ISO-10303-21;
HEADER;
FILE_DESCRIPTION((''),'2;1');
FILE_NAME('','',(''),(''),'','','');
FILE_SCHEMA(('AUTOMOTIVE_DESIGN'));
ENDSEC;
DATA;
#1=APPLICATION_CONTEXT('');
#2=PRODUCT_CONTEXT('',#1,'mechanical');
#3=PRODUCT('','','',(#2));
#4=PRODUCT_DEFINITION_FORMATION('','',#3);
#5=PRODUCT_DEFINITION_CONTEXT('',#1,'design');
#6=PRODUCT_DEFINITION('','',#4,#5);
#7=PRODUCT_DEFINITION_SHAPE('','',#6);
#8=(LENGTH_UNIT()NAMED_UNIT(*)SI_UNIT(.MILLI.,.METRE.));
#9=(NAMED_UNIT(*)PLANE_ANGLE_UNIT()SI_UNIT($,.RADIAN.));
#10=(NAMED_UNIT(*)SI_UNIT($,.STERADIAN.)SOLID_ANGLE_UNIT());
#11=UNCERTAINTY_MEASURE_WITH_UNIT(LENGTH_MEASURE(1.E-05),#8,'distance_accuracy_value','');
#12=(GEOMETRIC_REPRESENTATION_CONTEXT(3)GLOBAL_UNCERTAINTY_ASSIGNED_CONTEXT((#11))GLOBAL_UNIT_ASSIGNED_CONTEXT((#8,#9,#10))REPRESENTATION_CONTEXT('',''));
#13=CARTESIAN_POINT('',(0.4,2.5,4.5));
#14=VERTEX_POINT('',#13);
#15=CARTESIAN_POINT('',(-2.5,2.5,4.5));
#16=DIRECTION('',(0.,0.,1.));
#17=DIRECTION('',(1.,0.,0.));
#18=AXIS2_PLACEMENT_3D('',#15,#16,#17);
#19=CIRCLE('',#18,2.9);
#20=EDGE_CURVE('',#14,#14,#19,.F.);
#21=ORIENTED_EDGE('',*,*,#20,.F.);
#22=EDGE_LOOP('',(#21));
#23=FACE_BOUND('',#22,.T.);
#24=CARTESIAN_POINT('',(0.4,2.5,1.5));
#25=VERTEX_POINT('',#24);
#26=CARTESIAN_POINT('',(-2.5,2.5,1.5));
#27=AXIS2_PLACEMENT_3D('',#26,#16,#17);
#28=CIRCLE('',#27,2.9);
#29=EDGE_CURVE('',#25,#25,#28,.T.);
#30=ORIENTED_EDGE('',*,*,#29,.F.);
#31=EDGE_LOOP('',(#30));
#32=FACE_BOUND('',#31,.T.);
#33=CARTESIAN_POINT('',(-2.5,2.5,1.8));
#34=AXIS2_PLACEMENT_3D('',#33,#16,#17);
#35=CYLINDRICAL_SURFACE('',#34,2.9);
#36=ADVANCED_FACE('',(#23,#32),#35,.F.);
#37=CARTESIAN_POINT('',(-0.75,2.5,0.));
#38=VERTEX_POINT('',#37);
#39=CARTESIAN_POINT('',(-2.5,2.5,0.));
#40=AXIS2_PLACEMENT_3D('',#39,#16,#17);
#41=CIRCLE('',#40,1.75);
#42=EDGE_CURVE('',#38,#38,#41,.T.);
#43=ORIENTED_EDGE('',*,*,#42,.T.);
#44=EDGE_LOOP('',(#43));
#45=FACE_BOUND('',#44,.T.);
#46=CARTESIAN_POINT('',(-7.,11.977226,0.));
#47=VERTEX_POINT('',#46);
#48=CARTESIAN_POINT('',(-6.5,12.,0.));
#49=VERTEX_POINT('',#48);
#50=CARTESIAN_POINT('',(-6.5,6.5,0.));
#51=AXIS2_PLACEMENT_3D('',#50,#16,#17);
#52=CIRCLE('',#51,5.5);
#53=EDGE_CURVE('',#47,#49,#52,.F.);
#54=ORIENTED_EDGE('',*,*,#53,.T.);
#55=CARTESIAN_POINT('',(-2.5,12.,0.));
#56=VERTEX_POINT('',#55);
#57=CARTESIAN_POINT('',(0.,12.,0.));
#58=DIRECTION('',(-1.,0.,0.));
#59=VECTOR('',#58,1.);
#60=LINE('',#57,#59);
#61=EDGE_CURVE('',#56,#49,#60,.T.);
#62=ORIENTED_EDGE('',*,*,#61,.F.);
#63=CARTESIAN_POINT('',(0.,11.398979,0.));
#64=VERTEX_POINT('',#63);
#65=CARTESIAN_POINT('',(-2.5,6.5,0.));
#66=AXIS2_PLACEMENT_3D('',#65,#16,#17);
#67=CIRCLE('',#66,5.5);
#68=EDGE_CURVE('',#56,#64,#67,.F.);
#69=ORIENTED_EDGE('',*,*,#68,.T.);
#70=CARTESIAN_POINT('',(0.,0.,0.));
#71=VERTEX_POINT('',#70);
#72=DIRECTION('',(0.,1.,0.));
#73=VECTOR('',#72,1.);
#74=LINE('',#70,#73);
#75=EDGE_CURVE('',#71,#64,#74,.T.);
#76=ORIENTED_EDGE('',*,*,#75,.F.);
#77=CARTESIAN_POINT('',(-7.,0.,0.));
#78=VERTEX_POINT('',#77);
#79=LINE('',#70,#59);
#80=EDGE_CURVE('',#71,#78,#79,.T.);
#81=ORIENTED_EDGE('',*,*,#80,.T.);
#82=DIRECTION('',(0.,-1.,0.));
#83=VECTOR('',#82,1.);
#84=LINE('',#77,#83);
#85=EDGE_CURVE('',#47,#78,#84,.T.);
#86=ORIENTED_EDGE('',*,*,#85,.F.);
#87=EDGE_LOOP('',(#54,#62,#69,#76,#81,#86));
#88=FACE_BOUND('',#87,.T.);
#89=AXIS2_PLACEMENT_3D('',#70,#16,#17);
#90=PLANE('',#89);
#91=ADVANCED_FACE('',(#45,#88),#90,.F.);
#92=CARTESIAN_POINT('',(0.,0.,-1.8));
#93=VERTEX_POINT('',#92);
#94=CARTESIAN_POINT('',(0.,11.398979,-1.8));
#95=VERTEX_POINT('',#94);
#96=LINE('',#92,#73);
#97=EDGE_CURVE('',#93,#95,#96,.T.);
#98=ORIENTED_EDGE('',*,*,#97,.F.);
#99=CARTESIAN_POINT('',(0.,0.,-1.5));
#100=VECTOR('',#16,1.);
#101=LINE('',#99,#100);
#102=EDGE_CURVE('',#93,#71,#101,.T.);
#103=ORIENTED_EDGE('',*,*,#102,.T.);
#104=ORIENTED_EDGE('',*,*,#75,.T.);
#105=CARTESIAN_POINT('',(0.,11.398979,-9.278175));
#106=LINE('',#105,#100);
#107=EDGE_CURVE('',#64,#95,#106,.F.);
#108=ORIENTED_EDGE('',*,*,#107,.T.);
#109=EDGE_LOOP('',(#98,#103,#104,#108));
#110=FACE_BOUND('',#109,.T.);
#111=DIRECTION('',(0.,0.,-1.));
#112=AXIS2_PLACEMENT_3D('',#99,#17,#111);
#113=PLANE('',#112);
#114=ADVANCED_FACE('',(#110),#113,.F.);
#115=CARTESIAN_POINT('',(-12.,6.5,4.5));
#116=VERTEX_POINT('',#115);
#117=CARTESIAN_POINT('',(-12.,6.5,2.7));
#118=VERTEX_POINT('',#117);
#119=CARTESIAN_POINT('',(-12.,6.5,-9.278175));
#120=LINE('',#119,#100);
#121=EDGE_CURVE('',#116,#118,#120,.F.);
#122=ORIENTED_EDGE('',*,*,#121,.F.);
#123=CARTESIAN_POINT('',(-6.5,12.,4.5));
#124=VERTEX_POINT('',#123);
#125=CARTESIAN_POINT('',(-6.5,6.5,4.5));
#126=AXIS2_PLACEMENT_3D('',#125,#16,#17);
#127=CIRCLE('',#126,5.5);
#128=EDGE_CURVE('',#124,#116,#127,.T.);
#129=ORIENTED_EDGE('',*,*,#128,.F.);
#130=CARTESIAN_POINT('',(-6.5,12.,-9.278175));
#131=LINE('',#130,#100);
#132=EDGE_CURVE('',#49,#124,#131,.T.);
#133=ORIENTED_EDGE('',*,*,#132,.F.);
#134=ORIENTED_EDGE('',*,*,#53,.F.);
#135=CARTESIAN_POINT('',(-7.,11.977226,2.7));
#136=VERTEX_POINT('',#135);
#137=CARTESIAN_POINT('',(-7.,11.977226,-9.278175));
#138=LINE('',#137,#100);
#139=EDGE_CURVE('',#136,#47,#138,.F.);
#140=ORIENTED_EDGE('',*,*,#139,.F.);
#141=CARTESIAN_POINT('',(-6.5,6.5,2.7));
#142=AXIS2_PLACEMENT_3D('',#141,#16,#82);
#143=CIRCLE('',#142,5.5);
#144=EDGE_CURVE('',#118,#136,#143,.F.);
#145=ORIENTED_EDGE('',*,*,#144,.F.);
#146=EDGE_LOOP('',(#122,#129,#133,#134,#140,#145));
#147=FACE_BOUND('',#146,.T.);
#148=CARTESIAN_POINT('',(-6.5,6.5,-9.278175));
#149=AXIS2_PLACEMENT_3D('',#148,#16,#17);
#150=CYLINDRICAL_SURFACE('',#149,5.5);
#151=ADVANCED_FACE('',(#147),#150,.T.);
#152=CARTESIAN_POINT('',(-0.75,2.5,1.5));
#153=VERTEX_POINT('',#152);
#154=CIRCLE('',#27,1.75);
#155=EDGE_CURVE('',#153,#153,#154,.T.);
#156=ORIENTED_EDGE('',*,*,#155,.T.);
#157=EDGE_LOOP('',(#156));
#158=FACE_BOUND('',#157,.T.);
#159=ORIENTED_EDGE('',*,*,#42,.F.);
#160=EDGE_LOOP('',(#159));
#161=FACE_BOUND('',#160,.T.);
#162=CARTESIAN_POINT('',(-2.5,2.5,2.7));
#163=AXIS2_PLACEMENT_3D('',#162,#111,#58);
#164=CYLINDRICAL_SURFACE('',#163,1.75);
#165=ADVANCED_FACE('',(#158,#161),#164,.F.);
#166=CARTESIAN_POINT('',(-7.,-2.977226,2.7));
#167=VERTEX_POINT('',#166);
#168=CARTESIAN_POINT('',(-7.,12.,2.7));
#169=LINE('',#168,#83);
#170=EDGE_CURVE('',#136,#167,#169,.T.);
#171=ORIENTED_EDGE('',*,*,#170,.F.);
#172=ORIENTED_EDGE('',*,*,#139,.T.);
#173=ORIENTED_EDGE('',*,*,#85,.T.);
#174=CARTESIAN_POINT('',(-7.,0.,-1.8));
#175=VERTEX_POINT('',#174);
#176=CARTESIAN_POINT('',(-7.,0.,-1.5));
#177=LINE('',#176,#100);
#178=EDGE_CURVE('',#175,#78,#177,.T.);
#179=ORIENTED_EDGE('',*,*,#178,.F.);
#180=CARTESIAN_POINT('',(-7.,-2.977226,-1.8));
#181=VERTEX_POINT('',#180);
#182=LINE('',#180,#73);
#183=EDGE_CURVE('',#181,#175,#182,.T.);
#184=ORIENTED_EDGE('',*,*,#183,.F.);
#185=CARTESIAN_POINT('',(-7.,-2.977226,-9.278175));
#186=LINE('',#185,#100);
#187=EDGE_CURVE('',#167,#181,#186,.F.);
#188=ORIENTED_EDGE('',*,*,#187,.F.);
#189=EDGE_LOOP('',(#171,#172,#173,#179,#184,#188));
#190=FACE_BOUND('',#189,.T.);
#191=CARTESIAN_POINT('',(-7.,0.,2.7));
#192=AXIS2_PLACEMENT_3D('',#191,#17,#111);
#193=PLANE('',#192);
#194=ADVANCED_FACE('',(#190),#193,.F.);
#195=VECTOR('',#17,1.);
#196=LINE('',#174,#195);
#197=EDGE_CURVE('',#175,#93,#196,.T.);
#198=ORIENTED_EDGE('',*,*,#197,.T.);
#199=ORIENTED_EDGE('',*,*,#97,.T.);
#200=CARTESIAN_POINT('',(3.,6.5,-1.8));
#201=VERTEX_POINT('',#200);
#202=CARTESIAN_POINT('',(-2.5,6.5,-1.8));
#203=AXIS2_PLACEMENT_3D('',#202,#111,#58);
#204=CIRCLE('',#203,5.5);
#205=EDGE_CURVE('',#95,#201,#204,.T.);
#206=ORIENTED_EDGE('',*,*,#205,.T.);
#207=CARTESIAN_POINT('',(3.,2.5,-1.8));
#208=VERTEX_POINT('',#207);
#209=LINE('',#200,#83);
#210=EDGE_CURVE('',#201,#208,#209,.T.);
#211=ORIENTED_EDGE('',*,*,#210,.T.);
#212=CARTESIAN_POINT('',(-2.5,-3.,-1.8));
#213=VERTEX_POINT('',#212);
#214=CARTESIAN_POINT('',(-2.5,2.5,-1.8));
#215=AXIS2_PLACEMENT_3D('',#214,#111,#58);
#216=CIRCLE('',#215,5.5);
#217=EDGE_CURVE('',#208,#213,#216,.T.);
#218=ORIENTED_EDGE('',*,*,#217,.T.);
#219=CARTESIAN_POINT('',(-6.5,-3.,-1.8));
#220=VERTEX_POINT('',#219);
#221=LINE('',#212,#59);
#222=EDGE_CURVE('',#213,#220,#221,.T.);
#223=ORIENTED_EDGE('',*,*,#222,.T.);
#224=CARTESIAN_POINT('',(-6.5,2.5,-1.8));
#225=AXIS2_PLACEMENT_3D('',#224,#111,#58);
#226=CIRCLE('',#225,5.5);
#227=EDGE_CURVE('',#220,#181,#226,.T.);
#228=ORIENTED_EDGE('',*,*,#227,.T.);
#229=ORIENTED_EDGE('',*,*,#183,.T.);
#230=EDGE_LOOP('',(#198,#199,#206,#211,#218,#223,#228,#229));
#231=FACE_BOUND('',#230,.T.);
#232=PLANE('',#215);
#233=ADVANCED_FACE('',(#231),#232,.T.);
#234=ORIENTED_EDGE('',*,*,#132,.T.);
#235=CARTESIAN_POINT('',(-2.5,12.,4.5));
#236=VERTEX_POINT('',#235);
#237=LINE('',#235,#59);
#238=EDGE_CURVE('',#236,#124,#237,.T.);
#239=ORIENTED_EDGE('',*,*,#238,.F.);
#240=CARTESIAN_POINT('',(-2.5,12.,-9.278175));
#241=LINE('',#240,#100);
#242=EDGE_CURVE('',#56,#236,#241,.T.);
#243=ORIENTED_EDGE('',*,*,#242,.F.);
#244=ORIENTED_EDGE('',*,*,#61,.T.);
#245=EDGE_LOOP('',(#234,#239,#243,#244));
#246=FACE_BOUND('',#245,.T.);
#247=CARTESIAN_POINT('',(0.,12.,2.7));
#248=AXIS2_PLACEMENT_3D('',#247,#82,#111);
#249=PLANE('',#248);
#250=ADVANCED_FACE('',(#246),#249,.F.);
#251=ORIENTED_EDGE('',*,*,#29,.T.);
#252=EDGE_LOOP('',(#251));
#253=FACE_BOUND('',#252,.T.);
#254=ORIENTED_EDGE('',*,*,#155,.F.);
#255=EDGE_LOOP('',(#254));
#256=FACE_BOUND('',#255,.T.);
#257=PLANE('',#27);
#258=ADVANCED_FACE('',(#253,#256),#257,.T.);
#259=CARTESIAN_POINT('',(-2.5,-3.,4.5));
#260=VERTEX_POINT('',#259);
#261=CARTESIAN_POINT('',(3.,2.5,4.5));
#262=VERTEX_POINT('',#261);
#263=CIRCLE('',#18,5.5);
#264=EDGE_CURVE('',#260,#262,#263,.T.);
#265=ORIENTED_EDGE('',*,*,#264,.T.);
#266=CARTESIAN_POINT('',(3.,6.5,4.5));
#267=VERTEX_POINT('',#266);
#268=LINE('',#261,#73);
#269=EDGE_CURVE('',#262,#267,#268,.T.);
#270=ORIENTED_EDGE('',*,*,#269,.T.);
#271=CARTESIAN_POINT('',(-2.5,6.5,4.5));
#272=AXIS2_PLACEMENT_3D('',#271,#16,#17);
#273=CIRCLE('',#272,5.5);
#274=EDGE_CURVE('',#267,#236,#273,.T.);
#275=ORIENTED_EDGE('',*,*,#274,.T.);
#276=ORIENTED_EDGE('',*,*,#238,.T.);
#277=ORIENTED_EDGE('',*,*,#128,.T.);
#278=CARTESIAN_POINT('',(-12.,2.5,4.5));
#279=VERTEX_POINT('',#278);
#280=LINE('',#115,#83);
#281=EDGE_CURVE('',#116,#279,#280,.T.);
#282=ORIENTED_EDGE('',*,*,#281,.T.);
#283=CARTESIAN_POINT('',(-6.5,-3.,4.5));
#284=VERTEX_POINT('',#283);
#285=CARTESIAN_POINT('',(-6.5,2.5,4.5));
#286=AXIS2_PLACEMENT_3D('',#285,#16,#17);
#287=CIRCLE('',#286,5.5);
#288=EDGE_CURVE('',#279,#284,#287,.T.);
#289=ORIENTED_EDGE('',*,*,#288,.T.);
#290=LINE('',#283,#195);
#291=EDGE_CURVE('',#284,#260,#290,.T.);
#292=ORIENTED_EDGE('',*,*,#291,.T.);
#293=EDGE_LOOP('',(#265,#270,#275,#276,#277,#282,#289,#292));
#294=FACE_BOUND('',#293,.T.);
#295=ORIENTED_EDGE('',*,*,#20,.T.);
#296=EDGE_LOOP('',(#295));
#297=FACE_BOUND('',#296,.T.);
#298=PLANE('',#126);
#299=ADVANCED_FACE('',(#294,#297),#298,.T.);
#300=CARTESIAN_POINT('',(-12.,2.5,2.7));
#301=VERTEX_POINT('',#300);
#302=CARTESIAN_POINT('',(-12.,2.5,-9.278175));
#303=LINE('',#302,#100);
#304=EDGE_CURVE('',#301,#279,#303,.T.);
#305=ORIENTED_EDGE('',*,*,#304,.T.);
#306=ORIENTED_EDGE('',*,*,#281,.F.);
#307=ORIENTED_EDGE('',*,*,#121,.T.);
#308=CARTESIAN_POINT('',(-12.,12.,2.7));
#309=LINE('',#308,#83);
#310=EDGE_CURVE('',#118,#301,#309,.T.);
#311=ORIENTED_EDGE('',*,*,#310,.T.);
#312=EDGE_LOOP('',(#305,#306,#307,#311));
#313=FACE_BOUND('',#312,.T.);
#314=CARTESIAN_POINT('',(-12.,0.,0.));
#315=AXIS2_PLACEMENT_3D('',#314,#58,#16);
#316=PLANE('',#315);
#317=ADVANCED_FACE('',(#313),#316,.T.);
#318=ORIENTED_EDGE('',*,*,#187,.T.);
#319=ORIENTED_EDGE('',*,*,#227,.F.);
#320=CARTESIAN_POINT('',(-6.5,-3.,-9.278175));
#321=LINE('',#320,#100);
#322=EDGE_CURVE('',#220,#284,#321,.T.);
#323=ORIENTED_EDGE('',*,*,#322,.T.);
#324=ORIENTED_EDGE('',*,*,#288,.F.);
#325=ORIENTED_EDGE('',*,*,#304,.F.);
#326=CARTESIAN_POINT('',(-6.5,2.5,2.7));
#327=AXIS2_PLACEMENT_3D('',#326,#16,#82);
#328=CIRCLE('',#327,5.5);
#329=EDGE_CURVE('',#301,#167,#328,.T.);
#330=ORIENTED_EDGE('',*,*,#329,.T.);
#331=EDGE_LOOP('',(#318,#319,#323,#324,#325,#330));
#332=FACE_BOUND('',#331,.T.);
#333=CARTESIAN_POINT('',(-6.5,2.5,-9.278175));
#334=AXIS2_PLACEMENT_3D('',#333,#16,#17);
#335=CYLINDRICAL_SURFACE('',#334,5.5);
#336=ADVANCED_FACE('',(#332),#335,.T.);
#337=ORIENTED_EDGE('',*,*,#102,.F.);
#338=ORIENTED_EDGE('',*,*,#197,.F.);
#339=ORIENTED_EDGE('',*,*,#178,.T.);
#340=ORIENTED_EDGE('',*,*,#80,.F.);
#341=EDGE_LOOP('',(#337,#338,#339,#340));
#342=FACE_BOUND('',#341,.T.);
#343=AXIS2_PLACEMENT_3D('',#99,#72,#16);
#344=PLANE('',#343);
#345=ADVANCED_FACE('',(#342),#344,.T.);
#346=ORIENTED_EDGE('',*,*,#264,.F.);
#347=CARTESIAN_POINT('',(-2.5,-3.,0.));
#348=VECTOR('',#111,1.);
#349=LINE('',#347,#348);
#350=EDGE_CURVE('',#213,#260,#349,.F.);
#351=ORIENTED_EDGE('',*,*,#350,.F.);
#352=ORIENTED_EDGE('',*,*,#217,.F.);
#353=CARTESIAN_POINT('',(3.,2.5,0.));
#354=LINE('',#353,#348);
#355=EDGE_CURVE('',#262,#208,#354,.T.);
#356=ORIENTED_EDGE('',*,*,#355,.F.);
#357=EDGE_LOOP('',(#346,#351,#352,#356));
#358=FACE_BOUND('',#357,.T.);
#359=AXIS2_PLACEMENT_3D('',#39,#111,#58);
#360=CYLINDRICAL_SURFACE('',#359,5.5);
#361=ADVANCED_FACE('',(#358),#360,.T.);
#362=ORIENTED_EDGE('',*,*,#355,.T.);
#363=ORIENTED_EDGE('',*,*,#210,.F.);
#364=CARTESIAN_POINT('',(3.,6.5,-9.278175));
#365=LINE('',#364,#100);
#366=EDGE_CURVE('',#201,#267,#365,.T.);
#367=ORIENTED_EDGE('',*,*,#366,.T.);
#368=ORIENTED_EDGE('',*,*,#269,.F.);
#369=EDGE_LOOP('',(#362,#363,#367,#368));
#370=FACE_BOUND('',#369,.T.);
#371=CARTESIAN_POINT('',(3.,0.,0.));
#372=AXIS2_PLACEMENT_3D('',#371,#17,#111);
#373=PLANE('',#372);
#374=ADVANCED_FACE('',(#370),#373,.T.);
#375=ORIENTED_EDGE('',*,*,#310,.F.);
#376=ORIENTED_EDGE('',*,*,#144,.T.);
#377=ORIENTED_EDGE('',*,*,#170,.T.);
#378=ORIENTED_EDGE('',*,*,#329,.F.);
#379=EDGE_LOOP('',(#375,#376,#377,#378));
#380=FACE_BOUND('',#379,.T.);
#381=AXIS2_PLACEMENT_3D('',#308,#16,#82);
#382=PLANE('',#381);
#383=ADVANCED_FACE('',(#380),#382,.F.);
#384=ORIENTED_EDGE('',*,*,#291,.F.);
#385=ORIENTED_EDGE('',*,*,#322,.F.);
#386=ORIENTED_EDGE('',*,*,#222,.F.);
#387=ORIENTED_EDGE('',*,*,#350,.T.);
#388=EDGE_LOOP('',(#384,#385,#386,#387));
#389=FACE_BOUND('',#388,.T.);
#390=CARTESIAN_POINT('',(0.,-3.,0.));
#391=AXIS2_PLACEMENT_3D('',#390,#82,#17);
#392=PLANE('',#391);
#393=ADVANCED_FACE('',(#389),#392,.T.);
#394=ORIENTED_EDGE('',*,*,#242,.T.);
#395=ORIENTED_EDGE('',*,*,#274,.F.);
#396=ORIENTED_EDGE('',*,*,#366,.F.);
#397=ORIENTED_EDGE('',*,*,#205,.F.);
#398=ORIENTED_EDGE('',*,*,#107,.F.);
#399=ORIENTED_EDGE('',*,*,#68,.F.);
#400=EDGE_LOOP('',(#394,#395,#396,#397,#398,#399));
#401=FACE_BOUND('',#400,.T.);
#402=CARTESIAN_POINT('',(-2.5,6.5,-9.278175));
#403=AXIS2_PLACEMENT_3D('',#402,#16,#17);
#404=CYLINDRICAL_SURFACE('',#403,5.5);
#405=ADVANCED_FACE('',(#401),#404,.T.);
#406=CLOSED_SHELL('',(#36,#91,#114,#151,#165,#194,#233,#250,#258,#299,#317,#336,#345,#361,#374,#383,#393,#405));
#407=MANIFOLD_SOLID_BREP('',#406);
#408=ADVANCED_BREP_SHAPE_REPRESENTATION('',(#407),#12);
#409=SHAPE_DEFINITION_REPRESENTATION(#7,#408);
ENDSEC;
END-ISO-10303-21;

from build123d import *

# Parameters (mm, degrees)
ESBO_O3_W                = 7
ESBO_O3_H                = 12
ESBO_O3_R                = 1.75
RESSALTO_EXTRUS_O2_DEPTH = 2.7
ESBO_O4_W                = 7
ESBO_O4_H                = 12
ESBO_O4_R                = 1.75
RESSALTO_EXTRUS_O3_DEPTH = 2.1
ESBO_O5_W                = 2.1
ESBO_O5_H                = 12
RESSALTO_EXTRUS_O4_DEPTH = 5
RESSALTO_EXTRUS_O5_DEPTH = 3
ESBO_O7_W                = 4.8
ESBO_O7_H                = 15
RESSALTO_EXTRUS_O6_DEPTH = 3
ESBO_O8_R                = 2.9
CORTE_EXTRUS_O1_DEPTH    = 3
FILETE1_R                = 5.5
RESSALTO_EXTRUS_O7_DEPTH = 1.5
CORTE_EXTRUS_O4_DEPTH    = 6.3
CORTE_EXTRUS_O5_DEPTH    = 6.3
RESSALTO_EXTRUS_O8_DEPTH = 0.3
CORTE_EXTRUS_O6_DEPTH    = 0.3
ESBO_O17_R               = 2.9
CORTE_EXTRUS_O7_DEPTH    = 0.3


with BuildPart() as part:
    # Esboço3 → Ressalto-extrusão2 (new body)
    with BuildSketch(Plane.XY):
        with Locations((-3.5, 6)):
            Rectangle(ESBO_O3_W, ESBO_O3_H)
        with Locations((-2.5, 2.5)):
            Circle(ESBO_O3_R, mode=Mode.SUBTRACT)
    extrude(amount=RESSALTO_EXTRUS_O2_DEPTH)

    # Esboço4 → Ressalto-extrusão3 (add)
    with BuildSketch(Plane.XY.offset(2.7)):
        with Locations((-3.5, 6)):
            Rectangle(ESBO_O4_W, ESBO_O4_H)
        with Locations((-2.5, 2.5)):
            Circle(ESBO_O4_R, mode=Mode.SUBTRACT)
    extrude(amount=RESSALTO_EXTRUS_O3_DEPTH)

    # Esboço5 → Ressalto-extrusão4 (add)
    with BuildSketch(Plane.ZY.offset(7)):
        with Locations((3.75, 6)):
            Rectangle(ESBO_O5_W, ESBO_O5_H)
    extrude(amount=RESSALTO_EXTRUS_O4_DEPTH)

    # Esboço6 → Ressalto-extrusão5 (add)
    with BuildSketch(Plane.XZ):
        Polygon((-7, 0), (0, 0), (0, 4.8), (-12, 4.8), (-12, 2.7), (-7, 2.7), align=None)
    extrude(amount=RESSALTO_EXTRUS_O5_DEPTH)

    # Esboço7 → Ressalto-extrusão6 (add)
    with BuildSketch(Plane(origin=(0, 0, 0), x_dir=(0, 0, -1), z_dir=(1, 0, 0))):
        with Locations((-2.4, 4.5)):
            Rectangle(ESBO_O7_W, ESBO_O7_H)
    extrude(amount=RESSALTO_EXTRUS_O6_DEPTH)

    # Esboço8 → Corte-extrusão1 (cut)
    with BuildSketch(Plane.XY.offset(4.8)):
        with Locations((-2.5, 2.5)):
            Circle(ESBO_O8_R)
    extrude(amount=-CORTE_EXTRUS_O1_DEPTH, mode=Mode.SUBTRACT)

    # Filete1
    filete1_edges = [part.edges().sort_by_distance(p)[0] for p in [
        (3, -3, 2.4),
    ]]
    fillet(filete1_edges, radius=FILETE1_R)

    # Esboço10 → Ressalto-extrusão7 (add)
    with BuildSketch(Plane(origin=(0, 0, 0), x_dir=(-1, 0, 0), z_dir=(0, 0, -1))):
        with BuildLine():
            Line((7, 0), (0, 0))
            Line((0, 0), (0, 12))
            Line((0, 12), (-3, 12))
            Line((-3, 12), (-3, 2.5))
            ThreePointArc((-3, 2.5), (-1.389087297, -1.389087297), (2.5, -3))
            Line((2.5, -3), (7, -3))
            Line((7, -3), (7, 0))
        make_face()
    extrude(amount=RESSALTO_EXTRUS_O7_DEPTH)

    # Esboço14 → Corte-extrusão4 (cut)
    with BuildSketch(Plane.XY.offset(4.8)):
        with BuildLine():
            Line((-12, 12), (-12, 6.5))
            ThreePointArc((-12, 6.5), (-10.389087297, 10.389087297), (-6.5, 12))
            Line((-6.5, 12), (-12, 12))
        make_face()
        with BuildLine():
            ThreePointArc((-2.5, 12), (1.389087297, 10.389087297), (3, 6.5))
            Line((3, 6.5), (3, 12))
            Line((3, 12), (-2.5, 12))
        make_face()
    extrude(amount=-CORTE_EXTRUS_O4_DEPTH, mode=Mode.SUBTRACT)

    # Esboço13 → Corte-extrusão5 (cut)
    with BuildSketch(Plane.XY.offset(4.8)):
        with BuildLine():
            Line((-12, -3), (-6.5, -3))
            ThreePointArc((-6.5, -3), (-10.389087297, -1.389087297), (-12, 2.5))
            Line((-12, 2.5), (-12, -3))
        make_face()
    extrude(amount=-CORTE_EXTRUS_O5_DEPTH, mode=Mode.SUBTRACT)

    # Esboço15 → Ressalto-extrusão8 (add)
    with BuildSketch(Plane(origin=(0, 0, -1.5), x_dir=(-1, 0, 0), z_dir=(0, 0, -1))):
        with BuildLine():
            Line((2.5, -3), (6.5, -3))
            ThreePointArc((6.5, -3), (6.750259203, -2.994303444), (7, -2.977225575))
            Line((7, -2.977225575), (7, 0))
            Line((7, 0), (0, 0))
            Line((0, 0), (0, 11.398979486))
            ThreePointArc((0, 11.398979486), (-2.19041576, 9.372281323), (-3, 6.5))
            Line((-3, 6.5), (-3, 2.5))
            ThreePointArc((-3, 2.5), (-1.389087297, -1.389087297), (2.5, -3))
        make_face()
    extrude(amount=RESSALTO_EXTRUS_O8_DEPTH)

    # Esboço16 → Corte-extrusão6 (cut)
    with BuildSketch(Plane.XY.offset(4.8)):
        with BuildLine():
            Line((-12, 6.5), (-12, 2.5))
            ThreePointArc((-12, 2.5), (-10.389087297, -1.389087297), (-6.5, -3))
            Line((-6.5, -3), (-2.5, -3))
            ThreePointArc((-2.5, -3), (1.389087297, -1.389087297), (3, 2.5))
            Line((3, 2.5), (3, 6.5))
            ThreePointArc((3, 6.5), (1.389087297, 10.389087297), (-2.5, 12))
            Line((-2.5, 12), (-6.5, 12))
            ThreePointArc((-6.5, 12), (-10.389087297, 10.389087297), (-12, 6.5))
        make_face()
    extrude(amount=-CORTE_EXTRUS_O6_DEPTH, mode=Mode.SUBTRACT)

    # Esboço17 → Corte-extrusão7 (cut)
    with BuildSketch(Plane.XY.offset(1.8)):
        with Locations((-2.5, 2.5)):
            Circle(ESBO_O17_R)
    extrude(amount=-CORTE_EXTRUS_O7_DEPTH, mode=Mode.SUBTRACT)


solid = part.part
